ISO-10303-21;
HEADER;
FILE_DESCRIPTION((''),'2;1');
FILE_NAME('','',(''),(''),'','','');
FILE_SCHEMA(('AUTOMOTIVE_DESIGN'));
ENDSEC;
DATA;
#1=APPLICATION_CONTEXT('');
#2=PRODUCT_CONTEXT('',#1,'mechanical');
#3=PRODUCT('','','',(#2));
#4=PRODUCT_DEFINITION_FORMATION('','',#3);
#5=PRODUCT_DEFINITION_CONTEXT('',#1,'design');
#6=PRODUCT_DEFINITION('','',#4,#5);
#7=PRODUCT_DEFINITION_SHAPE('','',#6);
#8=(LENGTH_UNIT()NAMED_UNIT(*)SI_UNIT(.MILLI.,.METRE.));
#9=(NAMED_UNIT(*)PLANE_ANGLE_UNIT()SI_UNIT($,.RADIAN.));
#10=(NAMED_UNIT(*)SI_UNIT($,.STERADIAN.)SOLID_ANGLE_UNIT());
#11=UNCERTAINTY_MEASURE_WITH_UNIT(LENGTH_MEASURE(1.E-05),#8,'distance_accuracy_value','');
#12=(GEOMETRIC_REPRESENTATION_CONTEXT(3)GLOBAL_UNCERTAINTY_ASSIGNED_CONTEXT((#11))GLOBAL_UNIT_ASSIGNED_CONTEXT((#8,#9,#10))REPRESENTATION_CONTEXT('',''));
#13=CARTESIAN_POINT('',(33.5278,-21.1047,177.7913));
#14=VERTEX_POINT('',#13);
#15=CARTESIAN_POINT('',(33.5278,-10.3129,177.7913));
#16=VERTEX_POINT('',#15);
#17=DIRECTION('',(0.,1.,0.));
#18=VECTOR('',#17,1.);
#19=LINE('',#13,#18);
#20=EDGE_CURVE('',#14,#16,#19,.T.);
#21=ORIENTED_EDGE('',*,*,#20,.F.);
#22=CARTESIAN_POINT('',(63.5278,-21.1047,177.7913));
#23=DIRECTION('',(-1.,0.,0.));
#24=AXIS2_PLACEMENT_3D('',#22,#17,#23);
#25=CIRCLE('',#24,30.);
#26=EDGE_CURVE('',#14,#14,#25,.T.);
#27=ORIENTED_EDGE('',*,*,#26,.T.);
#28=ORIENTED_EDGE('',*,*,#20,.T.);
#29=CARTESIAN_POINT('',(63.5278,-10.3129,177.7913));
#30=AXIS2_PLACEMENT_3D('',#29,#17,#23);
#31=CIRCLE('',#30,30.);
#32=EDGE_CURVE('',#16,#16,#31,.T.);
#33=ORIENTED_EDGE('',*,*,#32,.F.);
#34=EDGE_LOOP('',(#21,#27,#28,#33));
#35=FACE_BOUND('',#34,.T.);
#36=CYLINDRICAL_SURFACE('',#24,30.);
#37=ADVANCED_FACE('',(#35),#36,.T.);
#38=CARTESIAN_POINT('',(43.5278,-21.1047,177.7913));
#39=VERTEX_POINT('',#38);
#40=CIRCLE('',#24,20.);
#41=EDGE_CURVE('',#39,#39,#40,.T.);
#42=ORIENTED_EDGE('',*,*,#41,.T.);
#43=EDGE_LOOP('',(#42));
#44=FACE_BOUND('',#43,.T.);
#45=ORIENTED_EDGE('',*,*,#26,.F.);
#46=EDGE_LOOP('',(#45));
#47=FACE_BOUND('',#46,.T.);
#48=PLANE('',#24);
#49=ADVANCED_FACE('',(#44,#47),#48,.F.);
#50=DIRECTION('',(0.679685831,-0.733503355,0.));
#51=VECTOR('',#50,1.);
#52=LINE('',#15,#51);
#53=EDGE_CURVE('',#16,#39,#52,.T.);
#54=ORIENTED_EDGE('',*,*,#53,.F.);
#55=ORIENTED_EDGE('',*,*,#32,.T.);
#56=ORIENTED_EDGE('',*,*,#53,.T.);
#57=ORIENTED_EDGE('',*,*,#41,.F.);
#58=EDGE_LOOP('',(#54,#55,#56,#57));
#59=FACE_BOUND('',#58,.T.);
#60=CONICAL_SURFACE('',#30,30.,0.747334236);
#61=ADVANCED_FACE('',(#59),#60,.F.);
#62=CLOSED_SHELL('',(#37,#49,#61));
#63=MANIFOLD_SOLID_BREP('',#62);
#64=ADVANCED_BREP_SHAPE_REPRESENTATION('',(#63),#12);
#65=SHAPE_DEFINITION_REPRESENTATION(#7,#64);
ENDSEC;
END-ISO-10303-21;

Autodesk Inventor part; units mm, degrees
ref_plane "YZ Plane" through (0, 0, 0) normal (1, 0, 0) x (0, 1, 0)
ref_plane "XZ Plane" through (0, 0, 0) normal (0, 1, 0) x (-1, 0, 0)
ref_plane "XY Plane" through (0, 0, 0) normal (0, 0, 1) x (1, 0, 0)
ref_plane "Work Plane1" through (125.5278, 24.2206, 177.7913) normal (0, 0, -1) x (-1, 0, 0)
sketch "Sketch1" plane through (125.5278, 24.2206, 177.7913) normal (0, 0, -1) x (-1, 0, 0)
  line L0 (92, -34.5335) -> (82, -45.3253)
  line L1 (92, -45.3253) -> (92, -34.5335)
  line L2 (62, -53.3253) -> (62, 5.8556) construction
  line L3 (82, -45.3253) -> (92, -45.3253) construction
  line L4 (82, -45.3253) -> (92, -45.3253) construction
  line L5 (82, -45.3253) -> (92, -45.3253)
  point P0 (125.5278, -24.2206)
  point P1 (42, -45.3253)
  dimension "d0" = 10
revolve "Revolution1" add sketch "Sketch1" angle 360 about axis through (63.5278, -29.1046, 177.7913) along (0, 1, 0)
properties part number "JarCollar"
